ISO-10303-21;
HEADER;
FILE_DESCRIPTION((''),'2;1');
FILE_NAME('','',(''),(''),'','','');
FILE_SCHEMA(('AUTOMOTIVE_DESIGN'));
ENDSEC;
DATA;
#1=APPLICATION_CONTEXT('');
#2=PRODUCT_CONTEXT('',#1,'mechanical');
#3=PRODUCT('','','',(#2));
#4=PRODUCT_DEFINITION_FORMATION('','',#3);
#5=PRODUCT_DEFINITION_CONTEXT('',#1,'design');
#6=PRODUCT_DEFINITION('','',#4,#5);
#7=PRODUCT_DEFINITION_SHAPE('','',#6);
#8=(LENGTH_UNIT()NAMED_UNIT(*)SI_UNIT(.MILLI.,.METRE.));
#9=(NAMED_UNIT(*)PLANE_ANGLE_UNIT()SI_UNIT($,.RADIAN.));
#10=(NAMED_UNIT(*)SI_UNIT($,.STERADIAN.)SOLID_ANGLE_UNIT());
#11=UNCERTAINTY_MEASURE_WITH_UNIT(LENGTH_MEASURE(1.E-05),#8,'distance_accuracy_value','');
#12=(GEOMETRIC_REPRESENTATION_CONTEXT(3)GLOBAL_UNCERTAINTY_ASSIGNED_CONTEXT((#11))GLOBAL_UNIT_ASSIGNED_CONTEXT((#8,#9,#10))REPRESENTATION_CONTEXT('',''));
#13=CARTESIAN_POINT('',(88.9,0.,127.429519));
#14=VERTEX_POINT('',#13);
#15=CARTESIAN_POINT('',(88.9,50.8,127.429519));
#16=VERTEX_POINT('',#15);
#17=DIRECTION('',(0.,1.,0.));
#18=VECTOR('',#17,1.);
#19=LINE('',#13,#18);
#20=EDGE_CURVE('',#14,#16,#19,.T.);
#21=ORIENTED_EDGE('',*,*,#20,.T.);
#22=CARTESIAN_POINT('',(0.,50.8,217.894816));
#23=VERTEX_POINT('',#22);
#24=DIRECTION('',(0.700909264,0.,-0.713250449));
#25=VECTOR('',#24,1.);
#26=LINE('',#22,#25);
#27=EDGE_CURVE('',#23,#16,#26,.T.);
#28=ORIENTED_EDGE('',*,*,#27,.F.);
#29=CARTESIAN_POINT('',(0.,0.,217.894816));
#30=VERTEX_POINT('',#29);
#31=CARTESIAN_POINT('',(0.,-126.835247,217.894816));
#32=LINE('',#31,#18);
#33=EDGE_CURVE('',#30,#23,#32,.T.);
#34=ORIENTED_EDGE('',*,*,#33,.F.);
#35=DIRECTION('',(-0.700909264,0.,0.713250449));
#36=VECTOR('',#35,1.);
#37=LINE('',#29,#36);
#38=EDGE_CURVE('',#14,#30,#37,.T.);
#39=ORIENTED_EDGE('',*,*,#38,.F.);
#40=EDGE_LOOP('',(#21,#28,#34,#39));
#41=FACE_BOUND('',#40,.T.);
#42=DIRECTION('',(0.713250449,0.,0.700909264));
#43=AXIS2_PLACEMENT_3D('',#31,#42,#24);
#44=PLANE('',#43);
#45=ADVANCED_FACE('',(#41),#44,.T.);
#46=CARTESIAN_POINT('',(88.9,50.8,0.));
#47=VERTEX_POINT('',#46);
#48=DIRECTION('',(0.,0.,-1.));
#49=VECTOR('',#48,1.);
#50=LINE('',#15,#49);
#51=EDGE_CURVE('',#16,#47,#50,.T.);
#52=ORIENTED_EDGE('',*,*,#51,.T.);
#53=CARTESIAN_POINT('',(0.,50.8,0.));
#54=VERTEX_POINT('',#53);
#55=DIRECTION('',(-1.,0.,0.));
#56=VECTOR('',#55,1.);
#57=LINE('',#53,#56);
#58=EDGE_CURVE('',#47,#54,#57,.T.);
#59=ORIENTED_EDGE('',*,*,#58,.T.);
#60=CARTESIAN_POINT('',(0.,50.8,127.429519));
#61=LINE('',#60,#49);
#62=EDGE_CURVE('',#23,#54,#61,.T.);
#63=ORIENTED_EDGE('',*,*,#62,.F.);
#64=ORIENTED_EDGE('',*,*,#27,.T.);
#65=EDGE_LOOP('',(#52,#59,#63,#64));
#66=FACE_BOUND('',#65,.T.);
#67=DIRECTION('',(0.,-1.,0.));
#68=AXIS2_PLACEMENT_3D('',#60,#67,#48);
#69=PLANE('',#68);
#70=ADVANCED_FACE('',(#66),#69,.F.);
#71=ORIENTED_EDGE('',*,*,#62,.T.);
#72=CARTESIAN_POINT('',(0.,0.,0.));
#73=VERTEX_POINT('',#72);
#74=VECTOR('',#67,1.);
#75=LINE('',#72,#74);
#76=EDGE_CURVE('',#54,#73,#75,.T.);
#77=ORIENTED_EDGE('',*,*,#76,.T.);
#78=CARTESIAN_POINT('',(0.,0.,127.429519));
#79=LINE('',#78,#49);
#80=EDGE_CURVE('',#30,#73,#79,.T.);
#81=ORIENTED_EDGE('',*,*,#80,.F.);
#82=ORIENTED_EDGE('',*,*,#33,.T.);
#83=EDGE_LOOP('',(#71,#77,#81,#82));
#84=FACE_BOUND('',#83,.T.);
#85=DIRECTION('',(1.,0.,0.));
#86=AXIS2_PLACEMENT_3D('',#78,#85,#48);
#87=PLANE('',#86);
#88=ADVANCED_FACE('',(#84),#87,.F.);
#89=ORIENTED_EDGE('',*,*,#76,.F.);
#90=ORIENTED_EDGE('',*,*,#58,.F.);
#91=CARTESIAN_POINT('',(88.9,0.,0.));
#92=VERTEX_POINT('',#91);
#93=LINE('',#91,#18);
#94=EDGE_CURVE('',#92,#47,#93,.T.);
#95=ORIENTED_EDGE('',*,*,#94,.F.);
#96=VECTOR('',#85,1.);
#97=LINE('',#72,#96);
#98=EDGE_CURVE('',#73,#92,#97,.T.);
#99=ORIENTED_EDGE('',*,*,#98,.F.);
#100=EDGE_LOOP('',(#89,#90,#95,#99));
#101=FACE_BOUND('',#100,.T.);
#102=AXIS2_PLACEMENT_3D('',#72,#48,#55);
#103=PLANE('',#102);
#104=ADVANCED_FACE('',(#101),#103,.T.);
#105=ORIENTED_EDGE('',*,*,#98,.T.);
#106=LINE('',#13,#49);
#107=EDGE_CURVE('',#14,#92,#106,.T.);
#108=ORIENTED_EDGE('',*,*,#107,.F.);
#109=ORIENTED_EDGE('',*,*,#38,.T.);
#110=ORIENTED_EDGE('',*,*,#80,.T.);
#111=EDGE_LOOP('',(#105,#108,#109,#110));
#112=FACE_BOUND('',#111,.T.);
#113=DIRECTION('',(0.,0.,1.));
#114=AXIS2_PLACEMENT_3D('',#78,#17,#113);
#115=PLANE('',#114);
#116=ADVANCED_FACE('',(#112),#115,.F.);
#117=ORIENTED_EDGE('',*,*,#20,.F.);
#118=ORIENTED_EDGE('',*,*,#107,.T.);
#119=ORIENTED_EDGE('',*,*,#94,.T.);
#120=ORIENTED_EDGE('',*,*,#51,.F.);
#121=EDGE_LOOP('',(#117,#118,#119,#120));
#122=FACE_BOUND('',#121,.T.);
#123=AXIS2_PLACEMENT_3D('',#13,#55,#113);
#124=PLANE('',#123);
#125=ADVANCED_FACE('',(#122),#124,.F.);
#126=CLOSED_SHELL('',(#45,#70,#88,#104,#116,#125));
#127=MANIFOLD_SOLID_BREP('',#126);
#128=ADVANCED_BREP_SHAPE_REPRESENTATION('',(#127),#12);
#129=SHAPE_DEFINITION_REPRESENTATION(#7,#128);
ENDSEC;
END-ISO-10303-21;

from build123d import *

# Parameters (mm, degrees)
SKETCH2_W           = 88.9
SKETCH2_H           = 50.8
BOSS_EXTRUDE1_DEPTH = 127.42951908
BOSS_EXTRUDE2_DEPTH = 50.8


with BuildPart() as part:
    # Sketch2 → Boss-Extrude1 (new body)
    with BuildSketch(Plane.XY):
        with Locations((44.45, 25.4)):
            Rectangle(SKETCH2_W, SKETCH2_H)
    extrude(amount=BOSS_EXTRUDE1_DEPTH)

    # Sketch3 → Boss-Extrude2 (add)
    with BuildSketch(Plane(origin=(0, 50.8, 0), x_dir=(1, 0, 0), z_dir=(0, 1, 0))):
        Polygon((0, -127.42951908), (0, -217.894816315), (88.9, -127.42951908), align=None)
    extrude(amount=-BOSS_EXTRUDE2_DEPTH)


solid = part.part
